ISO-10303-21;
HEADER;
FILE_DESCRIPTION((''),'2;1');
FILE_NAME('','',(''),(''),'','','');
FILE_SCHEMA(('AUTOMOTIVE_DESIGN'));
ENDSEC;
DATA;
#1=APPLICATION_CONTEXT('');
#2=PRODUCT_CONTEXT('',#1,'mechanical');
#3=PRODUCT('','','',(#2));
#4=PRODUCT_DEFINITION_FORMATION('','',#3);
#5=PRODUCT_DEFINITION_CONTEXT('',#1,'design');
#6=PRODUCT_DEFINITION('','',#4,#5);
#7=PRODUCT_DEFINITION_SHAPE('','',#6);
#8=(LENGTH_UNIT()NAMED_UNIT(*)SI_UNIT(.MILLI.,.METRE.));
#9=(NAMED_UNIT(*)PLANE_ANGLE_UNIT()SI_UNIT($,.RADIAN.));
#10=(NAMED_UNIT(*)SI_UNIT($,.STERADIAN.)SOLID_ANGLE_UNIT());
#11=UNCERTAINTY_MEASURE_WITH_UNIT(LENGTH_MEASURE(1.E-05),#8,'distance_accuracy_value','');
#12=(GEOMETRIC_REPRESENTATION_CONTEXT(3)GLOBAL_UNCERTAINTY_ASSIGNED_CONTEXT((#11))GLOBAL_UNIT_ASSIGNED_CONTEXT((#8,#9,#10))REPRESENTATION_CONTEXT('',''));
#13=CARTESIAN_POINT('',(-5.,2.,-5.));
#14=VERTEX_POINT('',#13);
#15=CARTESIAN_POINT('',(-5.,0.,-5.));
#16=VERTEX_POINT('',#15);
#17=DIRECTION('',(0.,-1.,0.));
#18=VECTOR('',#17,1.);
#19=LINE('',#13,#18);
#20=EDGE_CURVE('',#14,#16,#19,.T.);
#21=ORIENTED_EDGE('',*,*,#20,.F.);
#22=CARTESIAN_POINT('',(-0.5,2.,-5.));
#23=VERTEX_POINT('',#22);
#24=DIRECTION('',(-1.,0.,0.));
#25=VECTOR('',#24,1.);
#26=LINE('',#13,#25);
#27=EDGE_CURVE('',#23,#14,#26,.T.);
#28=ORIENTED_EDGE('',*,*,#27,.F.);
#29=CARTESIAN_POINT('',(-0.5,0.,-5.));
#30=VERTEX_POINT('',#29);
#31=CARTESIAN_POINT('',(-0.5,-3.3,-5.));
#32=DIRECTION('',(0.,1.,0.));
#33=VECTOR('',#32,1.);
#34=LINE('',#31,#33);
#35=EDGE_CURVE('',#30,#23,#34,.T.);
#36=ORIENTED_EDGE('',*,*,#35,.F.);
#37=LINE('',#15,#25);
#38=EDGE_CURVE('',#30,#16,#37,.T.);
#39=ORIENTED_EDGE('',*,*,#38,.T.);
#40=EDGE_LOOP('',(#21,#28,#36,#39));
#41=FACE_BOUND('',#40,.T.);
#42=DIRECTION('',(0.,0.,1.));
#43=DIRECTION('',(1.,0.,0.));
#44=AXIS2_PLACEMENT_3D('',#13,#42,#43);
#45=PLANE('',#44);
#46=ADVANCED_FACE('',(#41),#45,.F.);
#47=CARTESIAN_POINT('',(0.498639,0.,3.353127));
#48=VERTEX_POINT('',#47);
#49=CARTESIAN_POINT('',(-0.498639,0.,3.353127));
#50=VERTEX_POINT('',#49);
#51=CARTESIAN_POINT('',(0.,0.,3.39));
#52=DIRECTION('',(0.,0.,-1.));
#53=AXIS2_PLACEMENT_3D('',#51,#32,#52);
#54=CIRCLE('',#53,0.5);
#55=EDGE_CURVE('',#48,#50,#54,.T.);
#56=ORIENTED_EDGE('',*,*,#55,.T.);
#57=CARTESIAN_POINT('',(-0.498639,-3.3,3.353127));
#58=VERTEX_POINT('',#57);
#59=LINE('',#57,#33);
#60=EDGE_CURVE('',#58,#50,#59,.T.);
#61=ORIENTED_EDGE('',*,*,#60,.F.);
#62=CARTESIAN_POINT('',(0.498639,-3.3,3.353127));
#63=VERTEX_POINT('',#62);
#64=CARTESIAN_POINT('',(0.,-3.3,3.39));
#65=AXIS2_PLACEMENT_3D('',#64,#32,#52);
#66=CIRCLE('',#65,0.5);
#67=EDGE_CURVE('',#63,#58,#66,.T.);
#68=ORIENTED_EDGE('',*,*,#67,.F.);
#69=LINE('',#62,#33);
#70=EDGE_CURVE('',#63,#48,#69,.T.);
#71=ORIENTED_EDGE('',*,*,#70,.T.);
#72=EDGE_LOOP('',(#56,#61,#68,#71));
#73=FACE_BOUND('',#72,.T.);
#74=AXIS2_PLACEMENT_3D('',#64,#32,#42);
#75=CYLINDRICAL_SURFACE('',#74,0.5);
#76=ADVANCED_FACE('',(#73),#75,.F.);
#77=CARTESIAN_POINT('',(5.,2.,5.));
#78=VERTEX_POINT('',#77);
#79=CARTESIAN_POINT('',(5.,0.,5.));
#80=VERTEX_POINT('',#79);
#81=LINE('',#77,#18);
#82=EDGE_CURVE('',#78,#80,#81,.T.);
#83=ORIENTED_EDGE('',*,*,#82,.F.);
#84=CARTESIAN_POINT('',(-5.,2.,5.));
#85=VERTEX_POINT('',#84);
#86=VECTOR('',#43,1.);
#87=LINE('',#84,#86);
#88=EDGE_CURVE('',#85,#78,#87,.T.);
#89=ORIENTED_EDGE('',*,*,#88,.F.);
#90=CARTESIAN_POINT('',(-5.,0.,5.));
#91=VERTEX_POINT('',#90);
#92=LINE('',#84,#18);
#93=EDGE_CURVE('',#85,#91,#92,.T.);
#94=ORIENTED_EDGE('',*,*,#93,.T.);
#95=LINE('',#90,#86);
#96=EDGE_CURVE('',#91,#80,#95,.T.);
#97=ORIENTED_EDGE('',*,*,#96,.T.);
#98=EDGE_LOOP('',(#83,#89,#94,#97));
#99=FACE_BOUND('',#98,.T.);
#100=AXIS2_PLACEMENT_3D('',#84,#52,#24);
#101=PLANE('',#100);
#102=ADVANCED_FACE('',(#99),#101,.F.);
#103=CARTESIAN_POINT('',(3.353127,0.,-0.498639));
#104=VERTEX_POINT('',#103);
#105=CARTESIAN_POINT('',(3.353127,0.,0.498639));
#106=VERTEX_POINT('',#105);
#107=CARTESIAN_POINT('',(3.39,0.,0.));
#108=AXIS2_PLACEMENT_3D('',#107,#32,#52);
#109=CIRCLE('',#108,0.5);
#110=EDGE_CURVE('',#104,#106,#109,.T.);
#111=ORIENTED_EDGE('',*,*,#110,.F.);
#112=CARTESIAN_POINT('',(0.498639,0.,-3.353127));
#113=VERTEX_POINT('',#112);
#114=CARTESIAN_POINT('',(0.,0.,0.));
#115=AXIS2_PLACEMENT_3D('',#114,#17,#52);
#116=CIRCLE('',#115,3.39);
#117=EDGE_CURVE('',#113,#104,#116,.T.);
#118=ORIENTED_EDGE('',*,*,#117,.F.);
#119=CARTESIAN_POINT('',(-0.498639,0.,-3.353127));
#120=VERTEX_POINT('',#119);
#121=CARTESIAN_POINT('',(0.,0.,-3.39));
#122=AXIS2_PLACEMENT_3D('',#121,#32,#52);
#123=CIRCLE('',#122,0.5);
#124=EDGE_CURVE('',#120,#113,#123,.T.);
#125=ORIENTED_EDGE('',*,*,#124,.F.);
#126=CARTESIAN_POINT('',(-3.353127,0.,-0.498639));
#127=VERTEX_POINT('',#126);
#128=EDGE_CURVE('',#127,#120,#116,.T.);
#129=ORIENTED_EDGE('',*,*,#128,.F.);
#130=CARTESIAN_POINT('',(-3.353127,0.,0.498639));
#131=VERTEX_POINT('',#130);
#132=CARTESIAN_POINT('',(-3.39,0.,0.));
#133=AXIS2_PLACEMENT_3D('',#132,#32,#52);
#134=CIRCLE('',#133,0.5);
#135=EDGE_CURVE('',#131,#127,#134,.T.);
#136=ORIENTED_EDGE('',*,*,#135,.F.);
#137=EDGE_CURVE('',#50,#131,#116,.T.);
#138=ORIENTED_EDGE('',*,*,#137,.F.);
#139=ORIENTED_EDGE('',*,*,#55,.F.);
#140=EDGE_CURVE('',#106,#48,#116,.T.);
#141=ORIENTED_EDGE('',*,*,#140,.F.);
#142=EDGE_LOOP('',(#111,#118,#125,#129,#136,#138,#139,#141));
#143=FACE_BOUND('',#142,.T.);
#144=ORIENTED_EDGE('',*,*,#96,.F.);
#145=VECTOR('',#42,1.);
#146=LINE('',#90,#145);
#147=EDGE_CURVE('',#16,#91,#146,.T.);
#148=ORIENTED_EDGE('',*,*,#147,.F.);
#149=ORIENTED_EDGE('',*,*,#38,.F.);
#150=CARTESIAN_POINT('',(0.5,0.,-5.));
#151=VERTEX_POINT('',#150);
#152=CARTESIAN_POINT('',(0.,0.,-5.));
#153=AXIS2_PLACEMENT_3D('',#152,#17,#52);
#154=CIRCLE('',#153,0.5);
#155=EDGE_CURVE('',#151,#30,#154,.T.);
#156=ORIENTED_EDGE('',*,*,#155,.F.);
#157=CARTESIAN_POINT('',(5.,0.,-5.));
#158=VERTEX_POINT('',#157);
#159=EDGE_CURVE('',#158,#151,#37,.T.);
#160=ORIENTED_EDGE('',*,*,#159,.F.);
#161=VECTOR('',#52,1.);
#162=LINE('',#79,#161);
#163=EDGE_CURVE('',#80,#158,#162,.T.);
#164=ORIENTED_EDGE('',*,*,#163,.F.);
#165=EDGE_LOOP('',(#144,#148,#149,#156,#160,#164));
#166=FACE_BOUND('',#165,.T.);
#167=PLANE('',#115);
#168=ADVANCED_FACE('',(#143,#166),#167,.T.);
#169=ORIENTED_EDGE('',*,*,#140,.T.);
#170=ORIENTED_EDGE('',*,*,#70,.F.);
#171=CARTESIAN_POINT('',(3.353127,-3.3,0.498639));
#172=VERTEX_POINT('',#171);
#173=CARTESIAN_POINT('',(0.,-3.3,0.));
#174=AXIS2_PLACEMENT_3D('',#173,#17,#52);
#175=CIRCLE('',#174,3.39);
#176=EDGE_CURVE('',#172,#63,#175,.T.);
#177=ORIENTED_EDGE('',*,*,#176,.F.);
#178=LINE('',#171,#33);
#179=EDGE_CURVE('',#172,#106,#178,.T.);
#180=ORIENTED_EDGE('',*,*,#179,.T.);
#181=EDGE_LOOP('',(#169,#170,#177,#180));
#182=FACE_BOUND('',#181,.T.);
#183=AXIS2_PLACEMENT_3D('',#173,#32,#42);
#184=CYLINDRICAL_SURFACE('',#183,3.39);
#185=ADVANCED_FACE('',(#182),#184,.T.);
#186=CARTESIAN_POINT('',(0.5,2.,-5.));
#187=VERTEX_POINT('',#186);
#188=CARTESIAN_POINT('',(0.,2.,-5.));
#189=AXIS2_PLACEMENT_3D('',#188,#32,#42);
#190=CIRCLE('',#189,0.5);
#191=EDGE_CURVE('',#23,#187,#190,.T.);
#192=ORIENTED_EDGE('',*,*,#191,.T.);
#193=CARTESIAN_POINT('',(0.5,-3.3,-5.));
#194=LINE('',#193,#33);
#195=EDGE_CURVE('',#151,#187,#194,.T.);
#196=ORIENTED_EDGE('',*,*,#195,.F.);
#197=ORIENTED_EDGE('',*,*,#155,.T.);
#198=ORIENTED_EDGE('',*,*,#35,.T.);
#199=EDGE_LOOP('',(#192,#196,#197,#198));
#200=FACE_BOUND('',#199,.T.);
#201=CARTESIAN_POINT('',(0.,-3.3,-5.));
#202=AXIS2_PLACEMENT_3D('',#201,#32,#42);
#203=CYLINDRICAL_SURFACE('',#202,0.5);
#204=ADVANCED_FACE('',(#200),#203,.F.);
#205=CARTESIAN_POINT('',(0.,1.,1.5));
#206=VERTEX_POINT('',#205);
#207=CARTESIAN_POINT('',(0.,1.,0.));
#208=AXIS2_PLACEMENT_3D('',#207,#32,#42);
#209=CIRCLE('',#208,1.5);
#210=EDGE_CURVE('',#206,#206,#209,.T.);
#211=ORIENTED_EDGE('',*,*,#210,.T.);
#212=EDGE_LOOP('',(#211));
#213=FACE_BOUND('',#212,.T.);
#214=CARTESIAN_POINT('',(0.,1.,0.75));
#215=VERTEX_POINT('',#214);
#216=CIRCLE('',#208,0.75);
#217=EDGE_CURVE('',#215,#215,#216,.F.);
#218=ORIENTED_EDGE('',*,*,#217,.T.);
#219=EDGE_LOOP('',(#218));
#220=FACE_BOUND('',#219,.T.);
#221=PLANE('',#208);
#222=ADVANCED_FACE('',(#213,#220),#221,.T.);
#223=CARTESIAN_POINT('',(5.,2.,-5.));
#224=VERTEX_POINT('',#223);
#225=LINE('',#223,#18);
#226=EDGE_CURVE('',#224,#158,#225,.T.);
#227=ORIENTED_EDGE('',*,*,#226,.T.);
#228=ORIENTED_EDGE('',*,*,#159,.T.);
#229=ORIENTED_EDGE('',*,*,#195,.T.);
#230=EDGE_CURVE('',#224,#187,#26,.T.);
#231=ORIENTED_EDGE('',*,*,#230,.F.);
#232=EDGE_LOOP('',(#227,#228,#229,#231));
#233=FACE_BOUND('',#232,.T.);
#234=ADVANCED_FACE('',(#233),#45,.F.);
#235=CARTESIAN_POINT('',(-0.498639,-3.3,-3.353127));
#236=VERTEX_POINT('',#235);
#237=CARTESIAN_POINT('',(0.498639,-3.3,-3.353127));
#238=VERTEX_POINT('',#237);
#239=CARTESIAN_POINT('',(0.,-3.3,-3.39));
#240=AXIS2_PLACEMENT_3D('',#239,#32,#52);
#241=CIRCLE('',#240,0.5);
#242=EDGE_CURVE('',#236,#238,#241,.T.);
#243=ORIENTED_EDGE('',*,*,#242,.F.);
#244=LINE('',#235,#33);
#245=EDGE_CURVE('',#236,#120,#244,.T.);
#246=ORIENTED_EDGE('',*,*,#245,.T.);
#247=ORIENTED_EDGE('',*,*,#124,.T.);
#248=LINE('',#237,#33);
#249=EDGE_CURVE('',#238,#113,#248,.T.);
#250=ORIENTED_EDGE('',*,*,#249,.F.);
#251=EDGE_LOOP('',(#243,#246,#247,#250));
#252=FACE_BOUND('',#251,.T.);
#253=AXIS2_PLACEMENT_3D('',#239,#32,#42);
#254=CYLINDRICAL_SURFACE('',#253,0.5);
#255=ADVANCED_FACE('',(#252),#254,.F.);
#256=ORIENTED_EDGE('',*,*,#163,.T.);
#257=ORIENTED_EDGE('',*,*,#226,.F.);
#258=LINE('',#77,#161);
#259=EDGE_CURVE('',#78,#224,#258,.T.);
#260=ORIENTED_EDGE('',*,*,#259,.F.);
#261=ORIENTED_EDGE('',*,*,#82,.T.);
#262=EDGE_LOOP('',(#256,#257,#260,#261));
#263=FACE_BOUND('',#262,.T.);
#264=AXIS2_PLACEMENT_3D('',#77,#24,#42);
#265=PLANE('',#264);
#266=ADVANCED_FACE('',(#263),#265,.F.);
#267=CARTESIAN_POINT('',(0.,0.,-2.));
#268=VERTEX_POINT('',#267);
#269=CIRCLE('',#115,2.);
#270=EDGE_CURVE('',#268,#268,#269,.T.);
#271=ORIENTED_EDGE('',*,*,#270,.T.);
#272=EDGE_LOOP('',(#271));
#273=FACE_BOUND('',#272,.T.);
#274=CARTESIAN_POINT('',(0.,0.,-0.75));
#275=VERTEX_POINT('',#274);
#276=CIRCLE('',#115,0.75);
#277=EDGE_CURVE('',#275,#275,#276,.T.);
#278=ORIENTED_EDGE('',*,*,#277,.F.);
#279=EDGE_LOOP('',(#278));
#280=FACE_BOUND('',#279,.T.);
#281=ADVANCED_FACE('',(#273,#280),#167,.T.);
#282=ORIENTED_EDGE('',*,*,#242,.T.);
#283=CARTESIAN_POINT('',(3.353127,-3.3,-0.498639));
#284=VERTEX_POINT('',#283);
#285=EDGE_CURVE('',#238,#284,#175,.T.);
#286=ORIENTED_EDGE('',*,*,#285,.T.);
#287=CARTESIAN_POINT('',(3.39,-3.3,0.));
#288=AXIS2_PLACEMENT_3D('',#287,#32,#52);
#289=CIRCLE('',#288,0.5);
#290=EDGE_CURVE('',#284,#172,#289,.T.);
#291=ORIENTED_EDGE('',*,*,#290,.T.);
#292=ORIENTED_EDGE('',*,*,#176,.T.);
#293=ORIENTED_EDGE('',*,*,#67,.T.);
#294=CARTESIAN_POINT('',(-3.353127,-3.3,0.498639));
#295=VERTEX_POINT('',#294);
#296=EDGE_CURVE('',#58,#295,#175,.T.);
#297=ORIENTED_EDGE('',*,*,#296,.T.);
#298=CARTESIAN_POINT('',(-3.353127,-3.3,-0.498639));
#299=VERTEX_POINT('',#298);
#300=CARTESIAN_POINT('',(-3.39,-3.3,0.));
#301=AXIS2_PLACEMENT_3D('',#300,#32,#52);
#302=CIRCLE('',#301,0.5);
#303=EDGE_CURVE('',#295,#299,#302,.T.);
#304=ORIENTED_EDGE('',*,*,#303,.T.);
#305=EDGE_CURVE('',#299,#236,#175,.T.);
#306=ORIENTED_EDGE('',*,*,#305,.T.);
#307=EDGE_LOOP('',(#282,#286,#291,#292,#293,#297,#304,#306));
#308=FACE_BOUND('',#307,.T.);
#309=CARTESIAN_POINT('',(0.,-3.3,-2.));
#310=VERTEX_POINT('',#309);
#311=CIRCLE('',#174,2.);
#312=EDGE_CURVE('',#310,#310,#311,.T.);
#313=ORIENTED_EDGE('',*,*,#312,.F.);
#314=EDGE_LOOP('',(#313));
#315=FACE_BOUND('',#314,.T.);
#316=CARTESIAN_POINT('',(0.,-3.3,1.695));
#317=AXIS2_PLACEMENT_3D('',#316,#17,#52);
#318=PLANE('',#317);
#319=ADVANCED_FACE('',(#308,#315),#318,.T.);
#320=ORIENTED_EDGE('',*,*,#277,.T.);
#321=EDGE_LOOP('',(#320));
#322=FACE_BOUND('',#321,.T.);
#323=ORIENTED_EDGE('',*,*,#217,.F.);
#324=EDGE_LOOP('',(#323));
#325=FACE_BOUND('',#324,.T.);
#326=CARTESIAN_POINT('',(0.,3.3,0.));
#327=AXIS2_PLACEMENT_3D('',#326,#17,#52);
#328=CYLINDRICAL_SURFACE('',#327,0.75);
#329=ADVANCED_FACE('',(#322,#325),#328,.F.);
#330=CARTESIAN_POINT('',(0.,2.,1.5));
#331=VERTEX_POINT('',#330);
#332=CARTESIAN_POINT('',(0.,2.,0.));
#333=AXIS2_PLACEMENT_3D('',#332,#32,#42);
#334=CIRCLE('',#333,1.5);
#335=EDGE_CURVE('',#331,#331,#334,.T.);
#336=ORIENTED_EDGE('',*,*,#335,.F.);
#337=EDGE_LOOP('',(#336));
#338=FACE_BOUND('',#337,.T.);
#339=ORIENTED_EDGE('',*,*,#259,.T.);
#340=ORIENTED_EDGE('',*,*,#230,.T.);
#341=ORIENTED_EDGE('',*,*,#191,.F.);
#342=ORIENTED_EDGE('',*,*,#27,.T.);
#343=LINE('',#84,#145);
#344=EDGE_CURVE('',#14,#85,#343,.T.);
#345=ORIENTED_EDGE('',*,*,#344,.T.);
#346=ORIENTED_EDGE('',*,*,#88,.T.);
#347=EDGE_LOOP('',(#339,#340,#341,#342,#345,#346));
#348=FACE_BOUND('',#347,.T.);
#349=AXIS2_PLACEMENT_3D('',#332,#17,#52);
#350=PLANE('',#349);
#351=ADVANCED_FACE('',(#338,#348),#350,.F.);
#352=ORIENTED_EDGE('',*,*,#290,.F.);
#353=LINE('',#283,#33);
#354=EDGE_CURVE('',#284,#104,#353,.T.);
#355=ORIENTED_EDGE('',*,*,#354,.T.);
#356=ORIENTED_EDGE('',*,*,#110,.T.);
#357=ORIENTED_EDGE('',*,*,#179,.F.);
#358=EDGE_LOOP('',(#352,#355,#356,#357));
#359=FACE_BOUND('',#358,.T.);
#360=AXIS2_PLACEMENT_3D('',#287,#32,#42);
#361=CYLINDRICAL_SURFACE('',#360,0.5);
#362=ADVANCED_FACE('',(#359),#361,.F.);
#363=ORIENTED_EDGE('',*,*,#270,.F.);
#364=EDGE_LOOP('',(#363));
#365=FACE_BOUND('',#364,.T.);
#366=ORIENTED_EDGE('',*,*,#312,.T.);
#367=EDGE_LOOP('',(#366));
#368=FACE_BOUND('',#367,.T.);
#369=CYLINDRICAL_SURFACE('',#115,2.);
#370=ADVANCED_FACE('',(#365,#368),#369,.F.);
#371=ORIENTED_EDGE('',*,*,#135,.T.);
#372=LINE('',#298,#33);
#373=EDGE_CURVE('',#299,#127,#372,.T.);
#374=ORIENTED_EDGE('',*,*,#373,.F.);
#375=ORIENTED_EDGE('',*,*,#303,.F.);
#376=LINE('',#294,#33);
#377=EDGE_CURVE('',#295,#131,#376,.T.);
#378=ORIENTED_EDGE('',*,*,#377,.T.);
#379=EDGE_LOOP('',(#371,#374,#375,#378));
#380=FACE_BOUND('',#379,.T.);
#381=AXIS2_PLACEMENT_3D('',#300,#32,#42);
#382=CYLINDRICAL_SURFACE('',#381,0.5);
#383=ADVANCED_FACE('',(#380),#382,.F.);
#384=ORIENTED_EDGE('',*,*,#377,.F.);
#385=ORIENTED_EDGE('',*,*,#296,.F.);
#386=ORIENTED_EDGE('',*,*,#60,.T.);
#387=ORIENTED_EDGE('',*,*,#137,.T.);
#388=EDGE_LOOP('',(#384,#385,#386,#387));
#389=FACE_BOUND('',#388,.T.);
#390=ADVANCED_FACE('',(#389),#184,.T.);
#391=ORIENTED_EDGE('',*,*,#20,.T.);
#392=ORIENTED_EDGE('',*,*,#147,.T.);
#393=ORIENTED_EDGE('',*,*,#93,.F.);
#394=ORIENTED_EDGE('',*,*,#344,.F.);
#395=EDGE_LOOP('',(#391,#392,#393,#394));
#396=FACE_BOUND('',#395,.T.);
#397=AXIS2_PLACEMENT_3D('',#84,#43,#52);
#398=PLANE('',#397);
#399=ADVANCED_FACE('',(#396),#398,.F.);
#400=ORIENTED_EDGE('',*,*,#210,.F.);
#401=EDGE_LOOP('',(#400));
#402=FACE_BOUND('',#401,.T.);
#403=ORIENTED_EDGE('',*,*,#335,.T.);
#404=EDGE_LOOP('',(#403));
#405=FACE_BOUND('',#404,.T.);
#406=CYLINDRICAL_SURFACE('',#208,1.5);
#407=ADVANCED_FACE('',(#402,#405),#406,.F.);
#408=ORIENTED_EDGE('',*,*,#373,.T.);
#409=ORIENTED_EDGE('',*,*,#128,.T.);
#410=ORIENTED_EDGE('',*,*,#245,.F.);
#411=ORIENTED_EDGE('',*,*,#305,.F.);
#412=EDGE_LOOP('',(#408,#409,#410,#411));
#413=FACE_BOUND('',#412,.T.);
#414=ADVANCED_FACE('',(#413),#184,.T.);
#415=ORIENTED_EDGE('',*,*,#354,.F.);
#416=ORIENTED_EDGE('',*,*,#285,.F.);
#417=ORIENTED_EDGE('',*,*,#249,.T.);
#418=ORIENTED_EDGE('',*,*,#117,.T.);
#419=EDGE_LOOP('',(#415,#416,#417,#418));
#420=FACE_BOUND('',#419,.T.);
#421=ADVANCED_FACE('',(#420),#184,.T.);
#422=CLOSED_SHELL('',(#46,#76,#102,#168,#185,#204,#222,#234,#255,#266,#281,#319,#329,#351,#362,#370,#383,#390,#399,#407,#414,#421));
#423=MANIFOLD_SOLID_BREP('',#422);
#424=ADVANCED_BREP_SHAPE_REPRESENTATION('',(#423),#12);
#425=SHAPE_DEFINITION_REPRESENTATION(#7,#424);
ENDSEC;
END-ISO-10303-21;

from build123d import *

# Parameters (mm, degrees)
SKETCH_1_W          = 10
SKETCH_1_H          = 10
EXTRUDE_1_DEPTH     = 2
EXTRUDE_2_DEPTH     = 3.3
SKETCH_3_R          = 2
CUT_EXTRUDE_1_DEPTH = 3.3
SKETCH_4_R          = 0.75
CUT_EXTRUDE_2_DEPTH = 3.3
SKETCH_5_R          = 1.5
CUT_EXTRUDE_3_DEPTH = 1
CUT_EXTRUDE_4_DEPTH = 9.836854644


with BuildPart() as part:
    # 草图1 → 凸台-拉伸1 (new body)
    with BuildSketch(Plane(origin=(0, 0, 0), x_dir=(1, 0, 0), z_dir=(0, 1, 0))):
        Rectangle(SKETCH_1_W, SKETCH_1_H)
    extrude(amount=EXTRUDE_1_DEPTH)

    # 草图2 → 凸台-拉伸2 (add)
    with BuildSketch(Plane.XZ):
        with BuildLine():
            ThreePointArc((-3.353126844, -0.498638517), (-2.397091988, -2.397091988), (-0.498638517, -3.353126844))
            ThreePointArc((-0.498638517, -3.353126844), (0, -2.89), (0.498638517, -3.353126844))
            ThreePointArc((0.498638517, -3.353126844), (2.397091988, -2.397091988), (3.353126844, -0.498638517))
            ThreePointArc((3.353126844, -0.498638517), (2.89, 0), (3.353126844, 0.498638517))
            ThreePointArc((3.353126844, 0.498638517), (2.397091988, 2.397091988), (0.498638517, 3.353126844))
            ThreePointArc((0.498638517, 3.353126844), (0, 2.89), (-0.498638517, 3.353126844))
            ThreePointArc((-0.498638517, 3.353126844), (-2.397091988, 2.397091988), (-3.353126844, 0.498638517))
            ThreePointArc((-3.353126844, 0.498638517), (-2.89, 0), (-3.353126844, -0.498638517))
        make_face()
    extrude(amount=EXTRUDE_2_DEPTH)

    # 草图3 → 切除-拉伸1 (cut)
    with BuildSketch(Plane.XZ.offset(3.3)):
        with Locations(Location((0, 0, 0), (0, 0, 270))):
            Circle(SKETCH_3_R)
    extrude(amount=-CUT_EXTRUDE_1_DEPTH, mode=Mode.SUBTRACT)

    # 草图4 → 切除-拉伸2 (cut)
    with BuildSketch(Plane.XZ):
        with Locations(Location((0, 0, 0), (0, 0, 270))):
            Circle(SKETCH_4_R)
    extrude(amount=-CUT_EXTRUDE_2_DEPTH, mode=Mode.SUBTRACT)

    # 草图5 → 切除-拉伸3 (cut)
    with BuildSketch(Plane(origin=(0, 2, 0), x_dir=(1, 0, 0), z_dir=(0, 1, 0))):
        with Locations(Location((0, 0, 0), (0, 0, 270))):
            Circle(SKETCH_5_R)
    extrude(amount=-CUT_EXTRUDE_3_DEPTH, mode=Mode.SUBTRACT)

    # 草图6 → 切除-拉伸4 (cut, through all)
    with BuildSketch(Plane(origin=(0, 2, 0), x_dir=(1, 0, 0), z_dir=(0, 1, 0))):
        with BuildLine():
            Line((-0.5, 5), (0.5, 5))
            ThreePointArc((0.5, 5), (0, 4.5), (-0.5, 5))
        make_face()
    extrude(amount=-CUT_EXTRUDE_4_DEPTH, mode=Mode.SUBTRACT)


solid = part.part
